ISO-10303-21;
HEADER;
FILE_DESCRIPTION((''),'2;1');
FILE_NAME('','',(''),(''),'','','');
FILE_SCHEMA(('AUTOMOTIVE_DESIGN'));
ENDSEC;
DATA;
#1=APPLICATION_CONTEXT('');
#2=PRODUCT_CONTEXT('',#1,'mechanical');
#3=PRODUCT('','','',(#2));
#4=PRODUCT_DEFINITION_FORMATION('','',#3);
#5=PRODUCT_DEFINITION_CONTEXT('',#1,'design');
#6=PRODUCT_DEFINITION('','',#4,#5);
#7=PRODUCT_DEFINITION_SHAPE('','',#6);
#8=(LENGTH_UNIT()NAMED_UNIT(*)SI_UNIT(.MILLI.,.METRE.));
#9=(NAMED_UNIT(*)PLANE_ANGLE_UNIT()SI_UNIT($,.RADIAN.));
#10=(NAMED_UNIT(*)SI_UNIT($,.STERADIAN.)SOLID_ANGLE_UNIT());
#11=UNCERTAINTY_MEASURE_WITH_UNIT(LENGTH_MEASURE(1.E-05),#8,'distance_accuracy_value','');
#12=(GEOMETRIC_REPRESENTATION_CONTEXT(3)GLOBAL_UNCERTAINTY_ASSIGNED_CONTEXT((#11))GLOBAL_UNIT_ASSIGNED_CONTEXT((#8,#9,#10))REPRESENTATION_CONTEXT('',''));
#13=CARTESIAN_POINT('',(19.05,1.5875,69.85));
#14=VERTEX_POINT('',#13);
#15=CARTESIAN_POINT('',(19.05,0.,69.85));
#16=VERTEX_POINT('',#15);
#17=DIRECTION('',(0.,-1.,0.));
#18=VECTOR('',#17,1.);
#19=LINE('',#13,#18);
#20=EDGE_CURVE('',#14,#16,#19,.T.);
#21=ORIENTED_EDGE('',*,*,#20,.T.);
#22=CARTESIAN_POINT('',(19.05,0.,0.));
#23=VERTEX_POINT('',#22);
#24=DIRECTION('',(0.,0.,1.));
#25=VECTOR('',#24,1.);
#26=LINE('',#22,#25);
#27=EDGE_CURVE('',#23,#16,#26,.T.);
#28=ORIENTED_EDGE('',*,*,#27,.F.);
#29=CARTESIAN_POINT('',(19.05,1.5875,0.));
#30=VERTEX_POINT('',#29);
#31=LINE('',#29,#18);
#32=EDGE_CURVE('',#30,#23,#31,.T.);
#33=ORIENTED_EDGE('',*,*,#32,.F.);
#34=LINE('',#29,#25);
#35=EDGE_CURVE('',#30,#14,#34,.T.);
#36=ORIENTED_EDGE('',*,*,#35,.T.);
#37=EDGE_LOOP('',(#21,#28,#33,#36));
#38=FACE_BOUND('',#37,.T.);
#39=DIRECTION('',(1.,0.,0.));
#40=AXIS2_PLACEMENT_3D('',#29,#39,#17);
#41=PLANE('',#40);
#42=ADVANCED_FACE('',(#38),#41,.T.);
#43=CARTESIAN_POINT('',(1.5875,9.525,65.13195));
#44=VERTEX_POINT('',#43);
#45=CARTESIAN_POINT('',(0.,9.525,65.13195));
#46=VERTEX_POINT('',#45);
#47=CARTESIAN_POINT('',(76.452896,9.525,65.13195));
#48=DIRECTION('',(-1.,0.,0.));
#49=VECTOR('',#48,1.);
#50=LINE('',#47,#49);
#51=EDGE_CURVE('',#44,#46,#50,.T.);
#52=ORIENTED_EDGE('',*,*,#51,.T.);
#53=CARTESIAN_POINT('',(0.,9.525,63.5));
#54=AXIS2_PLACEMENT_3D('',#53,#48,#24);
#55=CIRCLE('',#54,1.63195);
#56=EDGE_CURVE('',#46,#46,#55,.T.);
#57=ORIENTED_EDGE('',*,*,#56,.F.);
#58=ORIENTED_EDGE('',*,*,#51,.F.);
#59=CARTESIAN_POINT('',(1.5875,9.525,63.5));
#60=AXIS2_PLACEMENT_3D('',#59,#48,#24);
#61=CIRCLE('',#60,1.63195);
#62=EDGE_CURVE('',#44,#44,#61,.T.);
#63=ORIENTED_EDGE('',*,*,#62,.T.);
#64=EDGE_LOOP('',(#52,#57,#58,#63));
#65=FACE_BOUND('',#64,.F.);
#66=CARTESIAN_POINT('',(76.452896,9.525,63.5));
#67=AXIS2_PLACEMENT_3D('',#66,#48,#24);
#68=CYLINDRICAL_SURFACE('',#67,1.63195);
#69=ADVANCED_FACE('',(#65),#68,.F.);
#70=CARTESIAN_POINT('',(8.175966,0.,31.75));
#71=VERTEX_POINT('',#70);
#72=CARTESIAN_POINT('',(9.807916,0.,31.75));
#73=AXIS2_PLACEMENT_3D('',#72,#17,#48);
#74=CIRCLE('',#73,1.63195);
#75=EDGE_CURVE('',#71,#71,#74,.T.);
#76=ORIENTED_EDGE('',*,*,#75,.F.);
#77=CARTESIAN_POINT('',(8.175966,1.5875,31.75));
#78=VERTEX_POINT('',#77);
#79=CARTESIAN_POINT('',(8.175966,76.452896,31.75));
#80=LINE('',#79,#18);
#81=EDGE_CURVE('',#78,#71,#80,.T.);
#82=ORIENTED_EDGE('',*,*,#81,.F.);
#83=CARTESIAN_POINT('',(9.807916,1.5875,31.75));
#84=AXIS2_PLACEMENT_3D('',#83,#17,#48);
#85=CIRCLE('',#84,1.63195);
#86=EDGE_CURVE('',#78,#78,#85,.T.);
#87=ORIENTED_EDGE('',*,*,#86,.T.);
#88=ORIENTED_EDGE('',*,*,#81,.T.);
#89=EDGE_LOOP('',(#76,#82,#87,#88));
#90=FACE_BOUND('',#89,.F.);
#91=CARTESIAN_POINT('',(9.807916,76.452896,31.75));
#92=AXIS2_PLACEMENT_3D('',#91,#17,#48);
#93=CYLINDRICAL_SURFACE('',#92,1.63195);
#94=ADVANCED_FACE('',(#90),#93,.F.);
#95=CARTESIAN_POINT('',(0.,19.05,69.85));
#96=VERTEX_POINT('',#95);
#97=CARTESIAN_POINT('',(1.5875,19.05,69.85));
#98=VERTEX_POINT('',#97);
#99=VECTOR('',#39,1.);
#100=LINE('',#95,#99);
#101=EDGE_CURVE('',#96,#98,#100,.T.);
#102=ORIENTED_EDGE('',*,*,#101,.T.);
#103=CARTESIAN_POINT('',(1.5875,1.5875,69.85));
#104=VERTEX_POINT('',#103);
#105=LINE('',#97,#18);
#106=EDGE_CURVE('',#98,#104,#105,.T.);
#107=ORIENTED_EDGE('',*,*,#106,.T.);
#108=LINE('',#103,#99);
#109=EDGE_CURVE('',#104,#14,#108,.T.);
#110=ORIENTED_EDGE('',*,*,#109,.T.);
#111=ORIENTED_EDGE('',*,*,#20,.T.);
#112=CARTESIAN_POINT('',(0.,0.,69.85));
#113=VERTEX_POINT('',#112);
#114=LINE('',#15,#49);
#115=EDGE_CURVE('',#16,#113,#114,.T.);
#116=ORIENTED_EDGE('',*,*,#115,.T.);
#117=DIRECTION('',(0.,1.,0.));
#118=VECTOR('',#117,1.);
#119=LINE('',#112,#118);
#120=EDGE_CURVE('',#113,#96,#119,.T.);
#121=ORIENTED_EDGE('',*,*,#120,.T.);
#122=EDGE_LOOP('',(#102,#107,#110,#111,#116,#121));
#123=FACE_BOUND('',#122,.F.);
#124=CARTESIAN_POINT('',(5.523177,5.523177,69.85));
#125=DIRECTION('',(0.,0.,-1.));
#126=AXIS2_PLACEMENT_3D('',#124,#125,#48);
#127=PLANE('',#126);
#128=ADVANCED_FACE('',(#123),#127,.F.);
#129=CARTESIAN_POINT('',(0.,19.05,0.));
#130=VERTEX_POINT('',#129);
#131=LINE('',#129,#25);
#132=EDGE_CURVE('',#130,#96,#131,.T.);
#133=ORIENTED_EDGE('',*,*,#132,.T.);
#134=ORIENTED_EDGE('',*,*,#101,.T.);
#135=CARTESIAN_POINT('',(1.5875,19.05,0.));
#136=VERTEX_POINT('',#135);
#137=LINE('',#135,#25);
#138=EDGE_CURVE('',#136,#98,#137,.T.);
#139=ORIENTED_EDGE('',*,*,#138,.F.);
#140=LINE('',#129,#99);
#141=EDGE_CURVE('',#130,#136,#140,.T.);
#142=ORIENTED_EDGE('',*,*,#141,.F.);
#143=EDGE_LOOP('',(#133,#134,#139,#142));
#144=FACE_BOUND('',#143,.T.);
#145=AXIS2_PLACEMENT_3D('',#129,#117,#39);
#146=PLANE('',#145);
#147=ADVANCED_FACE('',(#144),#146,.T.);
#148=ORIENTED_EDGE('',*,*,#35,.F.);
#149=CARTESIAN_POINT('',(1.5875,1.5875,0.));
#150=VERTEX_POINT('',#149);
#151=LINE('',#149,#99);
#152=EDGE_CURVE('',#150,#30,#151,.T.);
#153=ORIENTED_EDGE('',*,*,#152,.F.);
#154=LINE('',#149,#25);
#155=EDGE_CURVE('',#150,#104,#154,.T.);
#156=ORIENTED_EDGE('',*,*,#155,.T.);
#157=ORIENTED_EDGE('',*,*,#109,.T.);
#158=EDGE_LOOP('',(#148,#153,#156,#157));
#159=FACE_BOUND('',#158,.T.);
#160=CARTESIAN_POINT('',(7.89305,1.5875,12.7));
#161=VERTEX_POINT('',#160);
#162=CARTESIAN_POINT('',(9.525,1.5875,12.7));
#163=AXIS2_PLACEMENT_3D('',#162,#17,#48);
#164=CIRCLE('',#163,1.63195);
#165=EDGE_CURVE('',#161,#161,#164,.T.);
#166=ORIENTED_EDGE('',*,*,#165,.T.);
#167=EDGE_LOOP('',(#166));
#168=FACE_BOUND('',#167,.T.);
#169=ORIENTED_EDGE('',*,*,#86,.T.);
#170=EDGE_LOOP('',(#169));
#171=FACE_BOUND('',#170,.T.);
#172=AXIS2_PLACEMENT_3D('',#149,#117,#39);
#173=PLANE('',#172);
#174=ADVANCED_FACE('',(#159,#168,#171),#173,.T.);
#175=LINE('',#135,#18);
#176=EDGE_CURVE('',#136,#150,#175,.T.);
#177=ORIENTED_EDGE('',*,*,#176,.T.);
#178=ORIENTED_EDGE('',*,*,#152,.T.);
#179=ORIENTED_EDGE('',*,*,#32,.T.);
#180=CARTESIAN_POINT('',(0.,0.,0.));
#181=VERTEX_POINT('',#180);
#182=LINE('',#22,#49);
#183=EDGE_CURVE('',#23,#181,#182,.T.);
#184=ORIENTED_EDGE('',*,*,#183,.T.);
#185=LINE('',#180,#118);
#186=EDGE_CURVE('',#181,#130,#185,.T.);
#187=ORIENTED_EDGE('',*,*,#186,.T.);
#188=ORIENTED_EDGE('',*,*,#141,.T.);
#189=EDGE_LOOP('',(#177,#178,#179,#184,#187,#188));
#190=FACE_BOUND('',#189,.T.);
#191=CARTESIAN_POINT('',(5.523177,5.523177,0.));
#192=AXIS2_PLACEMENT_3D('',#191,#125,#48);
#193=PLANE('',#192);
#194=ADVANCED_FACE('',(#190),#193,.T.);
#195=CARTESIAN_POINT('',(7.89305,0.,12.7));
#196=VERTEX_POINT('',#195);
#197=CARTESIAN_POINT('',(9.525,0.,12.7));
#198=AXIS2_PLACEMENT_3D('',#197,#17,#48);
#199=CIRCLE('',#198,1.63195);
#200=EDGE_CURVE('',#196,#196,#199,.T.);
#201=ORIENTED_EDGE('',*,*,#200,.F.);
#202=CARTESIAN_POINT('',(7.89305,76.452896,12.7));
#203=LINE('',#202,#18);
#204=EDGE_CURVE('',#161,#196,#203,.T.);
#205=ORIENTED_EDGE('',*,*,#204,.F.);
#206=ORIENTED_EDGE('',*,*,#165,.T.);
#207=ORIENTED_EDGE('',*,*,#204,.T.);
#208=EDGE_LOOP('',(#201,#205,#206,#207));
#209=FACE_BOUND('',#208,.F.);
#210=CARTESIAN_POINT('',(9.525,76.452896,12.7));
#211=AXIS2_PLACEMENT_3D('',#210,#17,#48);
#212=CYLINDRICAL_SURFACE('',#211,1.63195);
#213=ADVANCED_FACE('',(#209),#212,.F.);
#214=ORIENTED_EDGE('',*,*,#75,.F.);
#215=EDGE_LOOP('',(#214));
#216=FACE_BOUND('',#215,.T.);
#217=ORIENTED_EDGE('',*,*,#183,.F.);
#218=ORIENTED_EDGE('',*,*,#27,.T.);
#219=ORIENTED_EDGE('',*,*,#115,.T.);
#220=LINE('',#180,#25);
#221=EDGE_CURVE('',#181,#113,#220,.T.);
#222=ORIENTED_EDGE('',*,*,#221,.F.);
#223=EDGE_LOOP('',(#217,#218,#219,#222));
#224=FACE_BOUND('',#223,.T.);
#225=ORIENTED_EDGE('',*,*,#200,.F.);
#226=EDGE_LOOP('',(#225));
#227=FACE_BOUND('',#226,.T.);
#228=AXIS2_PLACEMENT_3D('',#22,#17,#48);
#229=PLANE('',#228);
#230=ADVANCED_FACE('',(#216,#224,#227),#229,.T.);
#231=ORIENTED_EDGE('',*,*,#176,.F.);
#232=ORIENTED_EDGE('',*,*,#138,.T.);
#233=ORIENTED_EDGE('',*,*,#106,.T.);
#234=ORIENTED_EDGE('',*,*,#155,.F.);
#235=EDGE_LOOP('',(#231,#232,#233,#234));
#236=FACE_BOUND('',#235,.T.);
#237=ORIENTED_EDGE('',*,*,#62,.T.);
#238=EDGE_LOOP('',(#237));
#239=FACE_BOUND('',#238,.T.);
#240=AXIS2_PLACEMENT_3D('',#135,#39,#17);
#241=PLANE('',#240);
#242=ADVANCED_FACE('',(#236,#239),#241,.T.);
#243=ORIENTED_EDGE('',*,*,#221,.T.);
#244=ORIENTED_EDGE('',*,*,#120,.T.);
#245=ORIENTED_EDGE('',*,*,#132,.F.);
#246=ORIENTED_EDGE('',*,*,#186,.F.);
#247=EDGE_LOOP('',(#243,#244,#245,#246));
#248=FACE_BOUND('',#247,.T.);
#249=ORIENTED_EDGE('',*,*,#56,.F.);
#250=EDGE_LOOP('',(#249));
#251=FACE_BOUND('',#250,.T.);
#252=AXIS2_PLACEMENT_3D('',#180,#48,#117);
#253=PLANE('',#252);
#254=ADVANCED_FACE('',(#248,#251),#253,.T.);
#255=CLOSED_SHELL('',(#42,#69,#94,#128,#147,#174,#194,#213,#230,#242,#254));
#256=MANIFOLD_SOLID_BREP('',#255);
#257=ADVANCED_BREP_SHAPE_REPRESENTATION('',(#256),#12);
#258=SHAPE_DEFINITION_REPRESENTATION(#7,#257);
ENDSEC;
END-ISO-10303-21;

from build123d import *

# Parameters (mm, degrees)
BOSS_EXTRUDE1_DEPTH   = 69.85
F_4_CLEARANCE_HOLE1_D = 3.2639
F_4_CLEARANCE_HOLE2_D = 3.2639


with BuildPart() as part:
    # Sketch1 → Boss-Extrude1 (new body)
    with BuildSketch(Plane.XY):
        Polygon((0, 0), (0, 19.05), (1.5875, 19.05), (1.5875, 1.5875), (19.05, 1.5875), (19.05, 0), align=None)
    extrude(amount=BOSS_EXTRUDE1_DEPTH)

    # #4 Clearance Hole1 (through all)
    with Locations(Plane(origin=(1.5875, 0, 0), x_dir=(0, 0, -1), z_dir=(1, 0, 0))):
        with Locations((-63.5, 9.525)):
            Hole(F_4_CLEARANCE_HOLE1_D / 2)

    # #4 Clearance Hole2 (through all)
    with Locations(Plane(origin=(0, 1.5875, 0), x_dir=(1, 0, 0), z_dir=(0, 1, 0))):
        with Locations((9.525, -12.7), (9.807915651, -31.75)):
            Hole(F_4_CLEARANCE_HOLE2_D / 2)


solid = part.part
